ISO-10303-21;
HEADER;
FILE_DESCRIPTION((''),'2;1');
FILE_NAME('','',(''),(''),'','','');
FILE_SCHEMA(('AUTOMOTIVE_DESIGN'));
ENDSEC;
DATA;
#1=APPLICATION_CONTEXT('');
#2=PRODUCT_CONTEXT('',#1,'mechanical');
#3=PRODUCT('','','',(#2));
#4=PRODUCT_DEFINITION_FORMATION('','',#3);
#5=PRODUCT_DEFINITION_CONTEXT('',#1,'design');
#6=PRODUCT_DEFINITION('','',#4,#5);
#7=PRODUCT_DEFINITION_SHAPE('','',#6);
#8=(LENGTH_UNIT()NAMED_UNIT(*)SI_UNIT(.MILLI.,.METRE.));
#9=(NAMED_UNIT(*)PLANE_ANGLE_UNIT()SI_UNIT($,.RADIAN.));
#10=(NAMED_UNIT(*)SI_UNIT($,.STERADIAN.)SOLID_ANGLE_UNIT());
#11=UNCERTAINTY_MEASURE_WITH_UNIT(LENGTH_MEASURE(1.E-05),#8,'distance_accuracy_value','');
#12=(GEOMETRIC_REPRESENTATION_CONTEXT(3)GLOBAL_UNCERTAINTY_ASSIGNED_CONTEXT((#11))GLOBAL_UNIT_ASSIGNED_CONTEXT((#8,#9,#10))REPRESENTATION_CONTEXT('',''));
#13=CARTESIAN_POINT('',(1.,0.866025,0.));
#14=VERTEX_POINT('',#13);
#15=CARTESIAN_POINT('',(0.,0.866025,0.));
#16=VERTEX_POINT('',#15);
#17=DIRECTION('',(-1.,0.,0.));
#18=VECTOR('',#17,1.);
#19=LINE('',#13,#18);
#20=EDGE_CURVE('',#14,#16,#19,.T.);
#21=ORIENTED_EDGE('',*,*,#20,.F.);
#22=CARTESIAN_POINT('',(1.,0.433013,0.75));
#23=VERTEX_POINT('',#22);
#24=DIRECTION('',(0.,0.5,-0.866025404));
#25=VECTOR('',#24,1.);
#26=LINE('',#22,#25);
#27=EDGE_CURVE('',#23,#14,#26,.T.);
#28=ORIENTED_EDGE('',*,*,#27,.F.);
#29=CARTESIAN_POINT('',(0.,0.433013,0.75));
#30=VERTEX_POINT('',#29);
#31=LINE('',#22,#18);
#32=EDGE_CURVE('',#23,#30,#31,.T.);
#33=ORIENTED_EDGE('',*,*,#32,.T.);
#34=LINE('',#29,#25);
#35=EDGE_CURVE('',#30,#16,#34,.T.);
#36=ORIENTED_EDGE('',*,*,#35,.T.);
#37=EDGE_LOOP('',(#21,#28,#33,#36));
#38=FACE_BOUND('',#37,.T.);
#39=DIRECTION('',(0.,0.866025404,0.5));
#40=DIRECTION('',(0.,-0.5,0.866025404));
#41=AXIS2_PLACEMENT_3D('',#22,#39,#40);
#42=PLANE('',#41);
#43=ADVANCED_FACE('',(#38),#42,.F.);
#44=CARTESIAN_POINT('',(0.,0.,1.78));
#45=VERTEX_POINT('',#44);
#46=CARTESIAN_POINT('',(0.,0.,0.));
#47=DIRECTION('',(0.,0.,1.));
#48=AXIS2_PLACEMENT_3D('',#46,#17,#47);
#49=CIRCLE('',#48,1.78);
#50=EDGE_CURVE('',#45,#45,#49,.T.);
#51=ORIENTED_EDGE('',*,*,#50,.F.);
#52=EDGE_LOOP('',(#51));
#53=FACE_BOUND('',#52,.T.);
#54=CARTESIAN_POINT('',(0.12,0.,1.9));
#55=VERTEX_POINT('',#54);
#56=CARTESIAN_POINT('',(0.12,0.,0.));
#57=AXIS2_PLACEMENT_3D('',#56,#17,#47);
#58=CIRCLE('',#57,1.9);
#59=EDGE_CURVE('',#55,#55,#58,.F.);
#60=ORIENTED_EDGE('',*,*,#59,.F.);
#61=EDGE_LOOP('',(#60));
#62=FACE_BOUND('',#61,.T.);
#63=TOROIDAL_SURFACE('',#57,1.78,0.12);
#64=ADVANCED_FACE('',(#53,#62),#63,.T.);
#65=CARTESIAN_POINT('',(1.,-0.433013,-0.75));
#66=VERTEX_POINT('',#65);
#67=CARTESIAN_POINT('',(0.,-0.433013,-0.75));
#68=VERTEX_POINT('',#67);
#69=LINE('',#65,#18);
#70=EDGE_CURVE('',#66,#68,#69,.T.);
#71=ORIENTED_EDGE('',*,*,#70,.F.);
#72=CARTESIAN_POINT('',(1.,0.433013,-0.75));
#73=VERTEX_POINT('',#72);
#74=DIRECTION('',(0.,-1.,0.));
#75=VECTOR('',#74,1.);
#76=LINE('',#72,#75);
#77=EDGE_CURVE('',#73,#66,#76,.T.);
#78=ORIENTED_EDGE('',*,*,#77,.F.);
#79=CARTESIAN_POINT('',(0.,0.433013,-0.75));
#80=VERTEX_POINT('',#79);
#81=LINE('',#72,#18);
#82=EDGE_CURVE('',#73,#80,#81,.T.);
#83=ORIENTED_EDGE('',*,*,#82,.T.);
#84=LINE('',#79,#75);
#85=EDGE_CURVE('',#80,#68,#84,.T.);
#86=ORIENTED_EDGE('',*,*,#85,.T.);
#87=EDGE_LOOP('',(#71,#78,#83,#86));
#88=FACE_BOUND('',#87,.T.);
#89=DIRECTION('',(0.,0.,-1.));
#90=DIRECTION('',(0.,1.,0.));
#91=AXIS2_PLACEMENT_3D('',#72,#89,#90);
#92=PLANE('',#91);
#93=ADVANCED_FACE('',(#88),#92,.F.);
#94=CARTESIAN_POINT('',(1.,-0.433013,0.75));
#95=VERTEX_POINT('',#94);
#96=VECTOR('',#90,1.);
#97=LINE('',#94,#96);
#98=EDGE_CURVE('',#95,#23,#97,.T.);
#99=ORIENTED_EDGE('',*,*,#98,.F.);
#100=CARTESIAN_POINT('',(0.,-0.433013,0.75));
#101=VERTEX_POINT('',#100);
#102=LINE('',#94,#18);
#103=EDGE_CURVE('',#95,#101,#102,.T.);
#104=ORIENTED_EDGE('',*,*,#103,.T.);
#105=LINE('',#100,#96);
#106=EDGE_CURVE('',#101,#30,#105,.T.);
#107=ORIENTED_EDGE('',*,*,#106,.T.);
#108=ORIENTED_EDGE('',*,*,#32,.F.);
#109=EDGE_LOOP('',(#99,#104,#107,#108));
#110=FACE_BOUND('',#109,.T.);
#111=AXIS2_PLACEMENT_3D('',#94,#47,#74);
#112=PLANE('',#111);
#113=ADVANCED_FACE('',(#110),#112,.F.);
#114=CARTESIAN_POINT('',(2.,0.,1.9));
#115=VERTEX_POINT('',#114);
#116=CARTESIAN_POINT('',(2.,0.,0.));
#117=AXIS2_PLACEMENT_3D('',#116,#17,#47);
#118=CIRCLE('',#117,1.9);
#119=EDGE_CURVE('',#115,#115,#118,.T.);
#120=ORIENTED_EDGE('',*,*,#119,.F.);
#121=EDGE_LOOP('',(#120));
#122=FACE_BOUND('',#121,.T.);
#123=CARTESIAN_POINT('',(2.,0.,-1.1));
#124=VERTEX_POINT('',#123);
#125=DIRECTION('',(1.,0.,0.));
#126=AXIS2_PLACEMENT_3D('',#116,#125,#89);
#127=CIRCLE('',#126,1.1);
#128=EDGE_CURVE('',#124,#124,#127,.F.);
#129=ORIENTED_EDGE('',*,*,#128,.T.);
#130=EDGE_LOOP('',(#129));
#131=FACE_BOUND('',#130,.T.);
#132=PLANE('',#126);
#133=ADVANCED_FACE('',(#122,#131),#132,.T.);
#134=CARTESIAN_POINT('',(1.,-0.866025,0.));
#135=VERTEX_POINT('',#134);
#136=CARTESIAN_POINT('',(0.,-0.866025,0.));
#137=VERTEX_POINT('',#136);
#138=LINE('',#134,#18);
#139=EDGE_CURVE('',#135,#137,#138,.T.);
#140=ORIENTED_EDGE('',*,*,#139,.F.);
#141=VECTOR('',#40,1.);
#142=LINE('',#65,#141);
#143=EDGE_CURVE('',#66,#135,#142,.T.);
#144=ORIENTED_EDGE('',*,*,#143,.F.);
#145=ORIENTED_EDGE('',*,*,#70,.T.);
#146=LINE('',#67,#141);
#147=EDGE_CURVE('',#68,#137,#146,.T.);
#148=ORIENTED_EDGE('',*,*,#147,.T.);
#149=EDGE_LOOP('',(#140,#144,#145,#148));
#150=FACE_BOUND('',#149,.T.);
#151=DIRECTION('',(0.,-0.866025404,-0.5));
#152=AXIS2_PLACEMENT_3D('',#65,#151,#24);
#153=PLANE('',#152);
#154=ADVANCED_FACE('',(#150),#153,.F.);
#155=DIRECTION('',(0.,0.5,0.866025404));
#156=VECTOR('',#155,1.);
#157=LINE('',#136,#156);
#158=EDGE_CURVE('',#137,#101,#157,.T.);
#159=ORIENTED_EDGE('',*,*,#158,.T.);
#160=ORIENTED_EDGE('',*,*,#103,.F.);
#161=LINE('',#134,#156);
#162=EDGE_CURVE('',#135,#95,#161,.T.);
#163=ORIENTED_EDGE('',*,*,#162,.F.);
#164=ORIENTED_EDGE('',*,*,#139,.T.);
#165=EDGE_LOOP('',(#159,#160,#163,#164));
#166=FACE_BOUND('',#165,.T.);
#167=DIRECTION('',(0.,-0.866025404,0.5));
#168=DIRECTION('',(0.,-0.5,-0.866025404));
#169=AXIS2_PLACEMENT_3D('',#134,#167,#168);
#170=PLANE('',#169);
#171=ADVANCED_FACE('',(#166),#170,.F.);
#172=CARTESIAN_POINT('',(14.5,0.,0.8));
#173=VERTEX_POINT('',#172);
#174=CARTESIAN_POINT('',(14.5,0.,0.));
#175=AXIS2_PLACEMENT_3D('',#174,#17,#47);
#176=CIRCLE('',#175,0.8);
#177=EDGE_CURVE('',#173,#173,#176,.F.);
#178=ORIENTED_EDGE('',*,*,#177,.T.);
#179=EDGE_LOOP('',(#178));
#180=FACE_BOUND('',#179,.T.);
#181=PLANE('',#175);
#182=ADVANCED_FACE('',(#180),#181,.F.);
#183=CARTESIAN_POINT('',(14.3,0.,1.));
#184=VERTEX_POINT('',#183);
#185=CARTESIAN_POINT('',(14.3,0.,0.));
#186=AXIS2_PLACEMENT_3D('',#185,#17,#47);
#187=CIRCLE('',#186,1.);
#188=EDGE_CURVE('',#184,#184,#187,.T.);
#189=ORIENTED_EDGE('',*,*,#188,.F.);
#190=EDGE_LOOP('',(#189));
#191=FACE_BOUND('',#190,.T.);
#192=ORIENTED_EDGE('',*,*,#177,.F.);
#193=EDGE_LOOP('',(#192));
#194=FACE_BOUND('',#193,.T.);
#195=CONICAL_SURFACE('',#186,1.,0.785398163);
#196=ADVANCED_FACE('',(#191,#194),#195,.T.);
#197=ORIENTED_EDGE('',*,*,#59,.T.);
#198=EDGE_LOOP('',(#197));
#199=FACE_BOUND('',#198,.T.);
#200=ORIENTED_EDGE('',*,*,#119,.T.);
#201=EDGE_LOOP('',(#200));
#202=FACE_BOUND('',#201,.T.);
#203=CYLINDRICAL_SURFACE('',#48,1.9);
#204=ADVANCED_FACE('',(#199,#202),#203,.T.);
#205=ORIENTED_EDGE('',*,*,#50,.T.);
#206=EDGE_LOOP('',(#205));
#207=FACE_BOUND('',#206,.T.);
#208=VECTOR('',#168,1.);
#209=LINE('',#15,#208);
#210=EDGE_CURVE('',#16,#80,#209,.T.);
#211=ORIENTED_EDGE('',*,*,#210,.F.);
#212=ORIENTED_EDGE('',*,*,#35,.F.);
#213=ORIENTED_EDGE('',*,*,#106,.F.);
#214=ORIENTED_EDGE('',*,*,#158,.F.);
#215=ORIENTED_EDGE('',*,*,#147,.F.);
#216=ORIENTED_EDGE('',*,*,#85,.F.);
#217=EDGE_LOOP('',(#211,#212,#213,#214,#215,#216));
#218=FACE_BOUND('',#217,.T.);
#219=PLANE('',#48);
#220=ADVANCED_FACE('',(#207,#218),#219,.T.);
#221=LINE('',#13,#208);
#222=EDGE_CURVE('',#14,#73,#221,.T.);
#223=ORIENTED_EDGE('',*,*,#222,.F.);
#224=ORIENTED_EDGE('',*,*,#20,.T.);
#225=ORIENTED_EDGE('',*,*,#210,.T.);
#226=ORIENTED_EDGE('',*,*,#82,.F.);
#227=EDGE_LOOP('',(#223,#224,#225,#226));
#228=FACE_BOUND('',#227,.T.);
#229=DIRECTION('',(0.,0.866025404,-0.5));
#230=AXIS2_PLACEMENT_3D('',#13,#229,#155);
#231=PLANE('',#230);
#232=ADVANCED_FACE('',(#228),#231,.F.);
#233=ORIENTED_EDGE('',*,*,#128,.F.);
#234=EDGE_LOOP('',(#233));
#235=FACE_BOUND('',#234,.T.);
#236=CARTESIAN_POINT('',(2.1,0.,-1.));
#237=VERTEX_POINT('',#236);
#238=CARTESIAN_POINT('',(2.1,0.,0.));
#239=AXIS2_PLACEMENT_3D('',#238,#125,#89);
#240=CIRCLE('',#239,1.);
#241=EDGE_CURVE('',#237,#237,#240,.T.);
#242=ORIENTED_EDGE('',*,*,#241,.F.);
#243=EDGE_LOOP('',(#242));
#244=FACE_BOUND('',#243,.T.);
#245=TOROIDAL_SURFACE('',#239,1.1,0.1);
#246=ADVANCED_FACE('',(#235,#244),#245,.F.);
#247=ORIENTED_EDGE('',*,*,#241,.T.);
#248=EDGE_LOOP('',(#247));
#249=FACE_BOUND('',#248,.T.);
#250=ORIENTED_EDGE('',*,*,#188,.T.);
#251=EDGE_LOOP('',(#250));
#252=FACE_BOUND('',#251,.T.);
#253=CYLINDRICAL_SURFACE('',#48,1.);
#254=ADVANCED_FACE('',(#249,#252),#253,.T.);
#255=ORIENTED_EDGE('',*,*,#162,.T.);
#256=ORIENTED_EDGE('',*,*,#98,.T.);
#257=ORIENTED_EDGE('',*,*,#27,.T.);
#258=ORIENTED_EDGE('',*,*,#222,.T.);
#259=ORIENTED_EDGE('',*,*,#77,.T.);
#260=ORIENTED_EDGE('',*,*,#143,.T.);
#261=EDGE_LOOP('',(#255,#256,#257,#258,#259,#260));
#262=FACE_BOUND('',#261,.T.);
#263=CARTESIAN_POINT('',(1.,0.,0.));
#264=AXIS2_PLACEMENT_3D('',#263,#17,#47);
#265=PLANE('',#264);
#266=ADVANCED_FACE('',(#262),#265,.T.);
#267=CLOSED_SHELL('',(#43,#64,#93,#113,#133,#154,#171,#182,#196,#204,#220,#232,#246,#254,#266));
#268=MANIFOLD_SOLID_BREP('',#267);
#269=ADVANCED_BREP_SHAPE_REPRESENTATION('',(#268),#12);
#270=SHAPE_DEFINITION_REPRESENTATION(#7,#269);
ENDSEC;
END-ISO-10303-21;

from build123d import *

# Parameters (mm, degrees)
FILLET1_R      = 0.1
FILLET2_R      = 0.12
CHAMFER1_SIZE  = 0.2
EXTRUDE1_DEPTH = 1


with BuildPart() as part:
    # Sketch1 → Revolve1 (revolve)
    with BuildSketch(Plane.XY, mode=Mode.PRIVATE) as revolve1_sk:
        Polygon((2, 1), (2, 0), (4.279914881, 0), (14.5, 0), (14.5, 1), align=None)
        Polygon((0, 1.9), (0, 0), (2, 0), (2, 1), (2, 1.9), align=None)
    revolve(revolve1_sk.sketch.rotate(Axis((0, 0, 0), (1, 0, 0)), 90), axis=Axis((0, 0, 0), (1, 0, 0)))

    # Fillet1
    fillet1_edges = [part.edges().sort_by_distance(p)[0] for p in [
        (2, 0, -1),
    ]]
    fillet(fillet1_edges, radius=FILLET1_R)

    # Fillet2
    fillet2_edges = [part.edges().sort_by_distance(p)[0] for p in [
        (0, 0, -1.9),
    ]]
    fillet(fillet2_edges, radius=FILLET2_R)

    # Chamfer1
    chamfer1_edges = [part.edges().sort_by_distance(p)[0] for p in [
        (14.5, 0, -1),
    ]]
    chamfer(chamfer1_edges, length=CHAMFER1_SIZE)

    # Sketch2 → Extrude1 (cut)
    with BuildSketch(Plane.ZY):
        Polygon((0, 0.866025404), (-0.75, 0.433012702), (-0.75, -0.433012702), (0, -0.866025404), (0.75, -0.433012702), (0.75, 0.433012702), align=None)
    extrude(amount=-EXTRUDE1_DEPTH, mode=Mode.SUBTRACT)


solid = part.part
